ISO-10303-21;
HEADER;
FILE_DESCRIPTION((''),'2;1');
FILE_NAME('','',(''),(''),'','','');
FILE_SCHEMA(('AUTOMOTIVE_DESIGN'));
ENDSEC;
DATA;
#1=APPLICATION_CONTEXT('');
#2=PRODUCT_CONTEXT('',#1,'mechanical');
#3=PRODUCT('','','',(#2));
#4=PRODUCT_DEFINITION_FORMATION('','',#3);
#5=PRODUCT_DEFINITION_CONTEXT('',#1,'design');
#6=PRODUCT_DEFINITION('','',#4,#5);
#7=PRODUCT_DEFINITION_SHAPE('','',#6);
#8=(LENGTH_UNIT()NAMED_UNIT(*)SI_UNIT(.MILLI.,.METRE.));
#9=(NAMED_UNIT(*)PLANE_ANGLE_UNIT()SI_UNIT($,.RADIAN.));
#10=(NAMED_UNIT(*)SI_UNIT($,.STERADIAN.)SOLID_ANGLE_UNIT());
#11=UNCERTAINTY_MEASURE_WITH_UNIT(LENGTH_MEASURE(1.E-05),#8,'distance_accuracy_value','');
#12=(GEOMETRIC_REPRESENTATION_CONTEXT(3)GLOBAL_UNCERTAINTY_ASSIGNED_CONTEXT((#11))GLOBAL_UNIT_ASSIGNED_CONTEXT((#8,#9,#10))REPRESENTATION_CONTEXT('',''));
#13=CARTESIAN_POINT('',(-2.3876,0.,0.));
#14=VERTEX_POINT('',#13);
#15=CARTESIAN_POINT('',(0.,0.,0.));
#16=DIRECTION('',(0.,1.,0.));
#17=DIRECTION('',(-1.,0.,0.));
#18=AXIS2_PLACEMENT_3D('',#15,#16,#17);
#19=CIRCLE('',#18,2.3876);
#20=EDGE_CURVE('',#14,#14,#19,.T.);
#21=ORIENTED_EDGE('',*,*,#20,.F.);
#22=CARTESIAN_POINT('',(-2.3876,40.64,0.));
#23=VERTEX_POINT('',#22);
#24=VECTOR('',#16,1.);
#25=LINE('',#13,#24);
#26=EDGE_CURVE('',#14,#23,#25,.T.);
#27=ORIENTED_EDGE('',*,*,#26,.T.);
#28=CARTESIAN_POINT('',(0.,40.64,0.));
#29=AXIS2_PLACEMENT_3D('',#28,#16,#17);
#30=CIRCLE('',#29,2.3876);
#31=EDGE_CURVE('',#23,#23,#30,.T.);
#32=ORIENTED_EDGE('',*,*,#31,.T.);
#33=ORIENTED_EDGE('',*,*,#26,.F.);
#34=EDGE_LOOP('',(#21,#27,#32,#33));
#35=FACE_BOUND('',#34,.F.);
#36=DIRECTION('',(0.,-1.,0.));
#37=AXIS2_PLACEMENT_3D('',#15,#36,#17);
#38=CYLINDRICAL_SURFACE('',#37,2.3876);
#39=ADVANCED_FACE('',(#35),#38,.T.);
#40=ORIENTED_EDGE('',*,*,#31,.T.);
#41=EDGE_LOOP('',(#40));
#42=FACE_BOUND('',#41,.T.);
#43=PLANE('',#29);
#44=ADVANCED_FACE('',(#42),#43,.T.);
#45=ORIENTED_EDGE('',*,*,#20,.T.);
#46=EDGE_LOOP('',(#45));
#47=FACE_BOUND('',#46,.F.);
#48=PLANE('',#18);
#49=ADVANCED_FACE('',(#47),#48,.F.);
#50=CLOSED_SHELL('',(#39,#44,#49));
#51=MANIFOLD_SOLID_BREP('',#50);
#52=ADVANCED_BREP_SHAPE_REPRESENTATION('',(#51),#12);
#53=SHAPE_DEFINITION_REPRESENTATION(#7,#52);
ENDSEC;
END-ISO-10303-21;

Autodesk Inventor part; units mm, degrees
ref_plane "YZ Plane" through (0, 0, 0) normal (1, 0, 0) x (0, 1, 0)
ref_plane "XZ Plane" through (0, 0, 0) normal (0, 1, 0) x (-1, 0, 0)
ref_plane "XY Plane" through (0, 0, 0) normal (0, 0, 1) x (1, 0, 0)
sketch "Sketch1" plane through (0, 0, 0) normal (0, 1, 0) x (-1, 0, 0)
  circle A0 centre (0, 0) radius 2.3876
  dimension "d0" = 4.7752
extrude "Extrusion1" add sketch "Sketch1" along normal blind 40.64
properties part number "Hinge Pin"
